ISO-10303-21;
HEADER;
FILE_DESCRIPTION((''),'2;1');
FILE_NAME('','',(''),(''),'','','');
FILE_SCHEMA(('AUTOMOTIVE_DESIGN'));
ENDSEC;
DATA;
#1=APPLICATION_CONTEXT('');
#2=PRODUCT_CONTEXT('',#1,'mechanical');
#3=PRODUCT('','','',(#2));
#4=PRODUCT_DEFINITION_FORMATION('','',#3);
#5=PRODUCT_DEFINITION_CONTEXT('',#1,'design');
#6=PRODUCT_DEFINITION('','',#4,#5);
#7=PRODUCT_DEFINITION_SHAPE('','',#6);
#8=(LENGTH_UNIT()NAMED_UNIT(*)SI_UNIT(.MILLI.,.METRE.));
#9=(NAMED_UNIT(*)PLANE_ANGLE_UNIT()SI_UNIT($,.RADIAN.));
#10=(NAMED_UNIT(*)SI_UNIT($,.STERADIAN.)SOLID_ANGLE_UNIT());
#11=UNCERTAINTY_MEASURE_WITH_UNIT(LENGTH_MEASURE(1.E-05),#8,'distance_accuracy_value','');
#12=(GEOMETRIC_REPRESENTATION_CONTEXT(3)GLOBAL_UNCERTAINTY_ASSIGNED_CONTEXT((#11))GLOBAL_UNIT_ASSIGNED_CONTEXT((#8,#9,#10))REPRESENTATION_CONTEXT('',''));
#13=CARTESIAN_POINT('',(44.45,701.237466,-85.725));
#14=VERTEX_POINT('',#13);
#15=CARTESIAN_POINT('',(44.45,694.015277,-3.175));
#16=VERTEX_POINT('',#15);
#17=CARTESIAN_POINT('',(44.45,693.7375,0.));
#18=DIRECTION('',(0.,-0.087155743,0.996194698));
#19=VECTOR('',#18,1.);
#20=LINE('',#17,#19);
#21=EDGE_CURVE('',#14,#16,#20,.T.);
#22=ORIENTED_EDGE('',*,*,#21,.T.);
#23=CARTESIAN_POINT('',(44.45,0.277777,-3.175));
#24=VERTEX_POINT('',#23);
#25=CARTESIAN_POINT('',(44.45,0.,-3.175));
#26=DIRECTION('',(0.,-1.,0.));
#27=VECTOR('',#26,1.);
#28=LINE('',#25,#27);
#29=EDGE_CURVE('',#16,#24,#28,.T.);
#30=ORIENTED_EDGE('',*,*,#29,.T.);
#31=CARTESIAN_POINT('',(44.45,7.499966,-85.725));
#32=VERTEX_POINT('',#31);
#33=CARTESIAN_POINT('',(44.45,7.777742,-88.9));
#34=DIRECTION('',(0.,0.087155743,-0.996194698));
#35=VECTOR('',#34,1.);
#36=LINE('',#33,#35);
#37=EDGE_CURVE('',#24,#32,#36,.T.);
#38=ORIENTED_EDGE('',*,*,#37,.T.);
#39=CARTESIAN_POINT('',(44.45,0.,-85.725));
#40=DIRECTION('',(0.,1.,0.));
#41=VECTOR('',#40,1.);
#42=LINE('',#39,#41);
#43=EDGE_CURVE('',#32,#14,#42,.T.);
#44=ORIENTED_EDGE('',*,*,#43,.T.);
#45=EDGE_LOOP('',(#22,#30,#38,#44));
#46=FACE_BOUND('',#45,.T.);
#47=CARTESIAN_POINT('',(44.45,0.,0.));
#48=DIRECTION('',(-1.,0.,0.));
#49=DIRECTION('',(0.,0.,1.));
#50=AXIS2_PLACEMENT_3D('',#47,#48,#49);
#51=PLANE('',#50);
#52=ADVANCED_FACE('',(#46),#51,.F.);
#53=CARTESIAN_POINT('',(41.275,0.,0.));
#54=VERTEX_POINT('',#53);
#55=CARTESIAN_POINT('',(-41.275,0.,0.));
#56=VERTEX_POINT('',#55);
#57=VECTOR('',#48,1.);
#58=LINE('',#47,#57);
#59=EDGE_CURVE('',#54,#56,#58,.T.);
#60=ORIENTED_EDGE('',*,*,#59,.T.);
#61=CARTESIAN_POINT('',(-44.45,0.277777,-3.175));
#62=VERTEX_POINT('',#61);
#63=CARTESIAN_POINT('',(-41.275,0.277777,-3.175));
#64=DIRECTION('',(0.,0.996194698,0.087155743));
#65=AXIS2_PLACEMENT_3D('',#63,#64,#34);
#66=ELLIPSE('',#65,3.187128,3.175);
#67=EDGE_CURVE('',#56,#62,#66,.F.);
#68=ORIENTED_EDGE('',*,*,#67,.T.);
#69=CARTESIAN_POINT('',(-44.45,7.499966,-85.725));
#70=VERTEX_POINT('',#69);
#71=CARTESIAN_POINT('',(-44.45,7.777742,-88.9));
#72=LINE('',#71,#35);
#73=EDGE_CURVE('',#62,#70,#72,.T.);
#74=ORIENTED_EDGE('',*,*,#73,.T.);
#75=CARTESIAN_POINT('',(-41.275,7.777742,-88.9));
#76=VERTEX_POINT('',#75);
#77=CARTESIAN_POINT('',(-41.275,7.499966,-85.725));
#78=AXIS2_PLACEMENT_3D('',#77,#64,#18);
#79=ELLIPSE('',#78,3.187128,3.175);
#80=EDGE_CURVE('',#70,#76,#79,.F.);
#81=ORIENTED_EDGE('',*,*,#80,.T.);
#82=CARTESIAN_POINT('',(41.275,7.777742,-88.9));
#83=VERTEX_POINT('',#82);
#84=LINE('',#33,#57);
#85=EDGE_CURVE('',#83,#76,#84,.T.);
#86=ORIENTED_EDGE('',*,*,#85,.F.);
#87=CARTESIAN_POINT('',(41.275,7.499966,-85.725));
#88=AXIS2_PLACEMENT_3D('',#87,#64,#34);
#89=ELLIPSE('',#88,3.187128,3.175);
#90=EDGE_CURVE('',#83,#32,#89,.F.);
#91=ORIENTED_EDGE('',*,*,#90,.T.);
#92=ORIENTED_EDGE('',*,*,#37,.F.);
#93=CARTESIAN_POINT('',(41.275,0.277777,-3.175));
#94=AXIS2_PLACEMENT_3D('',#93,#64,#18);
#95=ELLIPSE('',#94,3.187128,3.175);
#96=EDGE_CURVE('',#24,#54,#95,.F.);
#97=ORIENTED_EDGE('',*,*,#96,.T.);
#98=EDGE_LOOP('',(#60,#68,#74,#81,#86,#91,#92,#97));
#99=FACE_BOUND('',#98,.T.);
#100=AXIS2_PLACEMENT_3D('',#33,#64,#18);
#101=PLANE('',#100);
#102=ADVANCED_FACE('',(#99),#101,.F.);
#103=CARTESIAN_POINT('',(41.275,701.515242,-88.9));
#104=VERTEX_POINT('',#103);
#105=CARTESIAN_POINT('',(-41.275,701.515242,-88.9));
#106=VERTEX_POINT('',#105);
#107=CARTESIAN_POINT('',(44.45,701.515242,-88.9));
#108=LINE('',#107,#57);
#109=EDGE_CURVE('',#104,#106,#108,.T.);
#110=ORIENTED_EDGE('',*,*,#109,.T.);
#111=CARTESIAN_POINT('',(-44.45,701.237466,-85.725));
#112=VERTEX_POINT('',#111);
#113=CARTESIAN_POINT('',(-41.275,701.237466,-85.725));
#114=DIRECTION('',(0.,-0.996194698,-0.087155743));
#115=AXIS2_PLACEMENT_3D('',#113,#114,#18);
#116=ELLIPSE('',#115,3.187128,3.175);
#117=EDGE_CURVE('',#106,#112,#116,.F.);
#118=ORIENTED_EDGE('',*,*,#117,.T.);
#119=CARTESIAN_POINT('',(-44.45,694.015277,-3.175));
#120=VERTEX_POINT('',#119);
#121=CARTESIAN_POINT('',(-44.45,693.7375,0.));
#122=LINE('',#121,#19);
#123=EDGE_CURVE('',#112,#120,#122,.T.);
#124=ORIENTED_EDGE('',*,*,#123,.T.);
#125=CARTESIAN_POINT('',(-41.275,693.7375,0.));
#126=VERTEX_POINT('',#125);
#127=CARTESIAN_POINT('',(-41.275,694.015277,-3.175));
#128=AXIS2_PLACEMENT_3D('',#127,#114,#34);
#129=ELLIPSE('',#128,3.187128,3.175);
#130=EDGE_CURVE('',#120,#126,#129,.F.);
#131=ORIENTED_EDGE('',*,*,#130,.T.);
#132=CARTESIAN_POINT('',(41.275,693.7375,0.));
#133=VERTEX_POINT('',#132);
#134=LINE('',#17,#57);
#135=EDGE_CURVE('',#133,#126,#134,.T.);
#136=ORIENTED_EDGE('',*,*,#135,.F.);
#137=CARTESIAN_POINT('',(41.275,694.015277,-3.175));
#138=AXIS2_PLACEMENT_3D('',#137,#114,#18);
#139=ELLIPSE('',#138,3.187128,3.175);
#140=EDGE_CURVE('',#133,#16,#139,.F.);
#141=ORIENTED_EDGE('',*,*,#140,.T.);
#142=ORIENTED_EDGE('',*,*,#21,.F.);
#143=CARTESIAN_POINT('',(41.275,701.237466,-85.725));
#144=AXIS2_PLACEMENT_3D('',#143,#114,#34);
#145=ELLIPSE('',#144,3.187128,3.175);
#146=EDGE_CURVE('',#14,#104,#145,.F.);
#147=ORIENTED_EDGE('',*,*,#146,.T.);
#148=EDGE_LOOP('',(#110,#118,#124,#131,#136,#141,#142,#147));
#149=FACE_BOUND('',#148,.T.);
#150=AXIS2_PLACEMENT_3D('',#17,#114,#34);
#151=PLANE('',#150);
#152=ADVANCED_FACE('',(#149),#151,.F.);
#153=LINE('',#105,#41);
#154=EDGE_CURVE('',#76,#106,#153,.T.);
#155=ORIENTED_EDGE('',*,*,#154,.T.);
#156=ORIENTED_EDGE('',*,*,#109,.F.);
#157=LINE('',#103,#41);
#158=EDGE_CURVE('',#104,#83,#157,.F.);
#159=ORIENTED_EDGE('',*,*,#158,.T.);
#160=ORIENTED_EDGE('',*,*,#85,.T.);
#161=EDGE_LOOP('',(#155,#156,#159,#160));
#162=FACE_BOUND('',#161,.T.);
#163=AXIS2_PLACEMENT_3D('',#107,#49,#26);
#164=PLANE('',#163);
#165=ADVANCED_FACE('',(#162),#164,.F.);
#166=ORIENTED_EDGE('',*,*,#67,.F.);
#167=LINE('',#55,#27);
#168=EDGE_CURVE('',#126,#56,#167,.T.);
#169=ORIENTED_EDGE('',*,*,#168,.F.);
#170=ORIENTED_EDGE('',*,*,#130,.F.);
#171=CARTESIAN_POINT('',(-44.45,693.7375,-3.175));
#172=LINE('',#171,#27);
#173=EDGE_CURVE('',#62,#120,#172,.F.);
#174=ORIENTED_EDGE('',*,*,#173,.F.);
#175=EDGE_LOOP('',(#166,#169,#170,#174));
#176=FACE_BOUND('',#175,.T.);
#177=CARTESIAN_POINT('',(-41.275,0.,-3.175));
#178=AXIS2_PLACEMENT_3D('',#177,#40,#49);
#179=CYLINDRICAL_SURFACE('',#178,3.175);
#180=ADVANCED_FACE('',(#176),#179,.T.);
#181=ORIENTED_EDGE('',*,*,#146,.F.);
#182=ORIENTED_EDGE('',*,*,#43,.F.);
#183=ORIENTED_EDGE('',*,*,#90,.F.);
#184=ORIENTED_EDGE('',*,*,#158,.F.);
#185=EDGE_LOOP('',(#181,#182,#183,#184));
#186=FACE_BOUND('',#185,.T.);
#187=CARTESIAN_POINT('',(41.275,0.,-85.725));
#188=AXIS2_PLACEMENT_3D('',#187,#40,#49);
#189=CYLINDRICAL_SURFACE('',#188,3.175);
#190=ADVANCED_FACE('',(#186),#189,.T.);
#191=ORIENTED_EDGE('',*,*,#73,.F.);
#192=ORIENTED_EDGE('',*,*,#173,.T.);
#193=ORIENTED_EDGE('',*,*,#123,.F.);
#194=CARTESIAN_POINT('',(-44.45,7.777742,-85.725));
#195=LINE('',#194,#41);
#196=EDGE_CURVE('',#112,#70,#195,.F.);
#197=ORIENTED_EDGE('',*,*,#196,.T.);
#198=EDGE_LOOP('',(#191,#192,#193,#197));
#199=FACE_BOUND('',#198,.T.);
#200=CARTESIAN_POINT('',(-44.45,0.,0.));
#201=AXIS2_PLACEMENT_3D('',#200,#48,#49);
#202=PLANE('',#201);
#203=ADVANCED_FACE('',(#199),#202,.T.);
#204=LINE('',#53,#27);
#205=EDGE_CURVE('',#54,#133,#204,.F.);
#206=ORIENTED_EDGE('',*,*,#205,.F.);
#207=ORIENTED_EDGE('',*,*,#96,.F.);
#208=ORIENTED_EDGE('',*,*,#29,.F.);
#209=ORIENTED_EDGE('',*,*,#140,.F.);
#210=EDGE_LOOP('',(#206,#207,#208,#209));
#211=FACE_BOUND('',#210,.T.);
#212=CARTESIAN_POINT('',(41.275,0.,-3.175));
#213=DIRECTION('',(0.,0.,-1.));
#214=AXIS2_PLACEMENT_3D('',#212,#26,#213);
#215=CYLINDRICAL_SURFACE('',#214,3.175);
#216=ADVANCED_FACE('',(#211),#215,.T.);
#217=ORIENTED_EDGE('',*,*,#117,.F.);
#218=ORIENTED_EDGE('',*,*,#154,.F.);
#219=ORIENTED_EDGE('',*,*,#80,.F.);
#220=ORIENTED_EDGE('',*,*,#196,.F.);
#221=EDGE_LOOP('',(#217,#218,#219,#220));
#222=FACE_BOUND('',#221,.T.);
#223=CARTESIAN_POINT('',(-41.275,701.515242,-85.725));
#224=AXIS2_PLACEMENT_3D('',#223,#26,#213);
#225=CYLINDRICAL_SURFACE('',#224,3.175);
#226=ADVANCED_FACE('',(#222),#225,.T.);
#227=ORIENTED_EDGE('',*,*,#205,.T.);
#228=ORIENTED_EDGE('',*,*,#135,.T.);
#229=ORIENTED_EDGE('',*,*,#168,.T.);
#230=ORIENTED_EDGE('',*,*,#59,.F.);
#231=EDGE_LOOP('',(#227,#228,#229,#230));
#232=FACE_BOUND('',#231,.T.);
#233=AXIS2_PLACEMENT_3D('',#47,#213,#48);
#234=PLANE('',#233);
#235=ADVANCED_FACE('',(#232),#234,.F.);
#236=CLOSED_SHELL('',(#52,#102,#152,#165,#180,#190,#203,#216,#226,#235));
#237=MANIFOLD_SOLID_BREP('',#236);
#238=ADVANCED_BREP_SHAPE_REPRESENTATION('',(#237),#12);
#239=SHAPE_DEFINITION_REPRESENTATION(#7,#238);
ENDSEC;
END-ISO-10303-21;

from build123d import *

# Parameters (mm, degrees)
BOSS_EXTRUDE1_DEPTH = 44.45
FILLET1_R           = 3.175


with BuildPart() as part:
    # Sketch1 → Boss-Extrude1 (new, symmetric)
    with BuildSketch(Plane(origin=(0, 0, 0), x_dir=(0, 0, -1), z_dir=(1, 0, 0))):
        Polygon((0, 0), (0, 693.7375), (88.9, 701.515242187), (88.9, 7.777742187), align=None)
    extrude(amount=BOSS_EXTRUDE1_DEPTH, both=True)

    # Fillet1
    fillet1_edges = [part.edges().sort_by_distance(p)[0] for p in [
        (44.45, 346.86875, 0),
        (-44.45, 346.86875, 0),
        (-44.45, 354.646492187, -88.9),
        (44.45, 354.646492187, -88.9),
    ]]
    fillet(fillet1_edges, radius=FILLET1_R)


solid = part.part
